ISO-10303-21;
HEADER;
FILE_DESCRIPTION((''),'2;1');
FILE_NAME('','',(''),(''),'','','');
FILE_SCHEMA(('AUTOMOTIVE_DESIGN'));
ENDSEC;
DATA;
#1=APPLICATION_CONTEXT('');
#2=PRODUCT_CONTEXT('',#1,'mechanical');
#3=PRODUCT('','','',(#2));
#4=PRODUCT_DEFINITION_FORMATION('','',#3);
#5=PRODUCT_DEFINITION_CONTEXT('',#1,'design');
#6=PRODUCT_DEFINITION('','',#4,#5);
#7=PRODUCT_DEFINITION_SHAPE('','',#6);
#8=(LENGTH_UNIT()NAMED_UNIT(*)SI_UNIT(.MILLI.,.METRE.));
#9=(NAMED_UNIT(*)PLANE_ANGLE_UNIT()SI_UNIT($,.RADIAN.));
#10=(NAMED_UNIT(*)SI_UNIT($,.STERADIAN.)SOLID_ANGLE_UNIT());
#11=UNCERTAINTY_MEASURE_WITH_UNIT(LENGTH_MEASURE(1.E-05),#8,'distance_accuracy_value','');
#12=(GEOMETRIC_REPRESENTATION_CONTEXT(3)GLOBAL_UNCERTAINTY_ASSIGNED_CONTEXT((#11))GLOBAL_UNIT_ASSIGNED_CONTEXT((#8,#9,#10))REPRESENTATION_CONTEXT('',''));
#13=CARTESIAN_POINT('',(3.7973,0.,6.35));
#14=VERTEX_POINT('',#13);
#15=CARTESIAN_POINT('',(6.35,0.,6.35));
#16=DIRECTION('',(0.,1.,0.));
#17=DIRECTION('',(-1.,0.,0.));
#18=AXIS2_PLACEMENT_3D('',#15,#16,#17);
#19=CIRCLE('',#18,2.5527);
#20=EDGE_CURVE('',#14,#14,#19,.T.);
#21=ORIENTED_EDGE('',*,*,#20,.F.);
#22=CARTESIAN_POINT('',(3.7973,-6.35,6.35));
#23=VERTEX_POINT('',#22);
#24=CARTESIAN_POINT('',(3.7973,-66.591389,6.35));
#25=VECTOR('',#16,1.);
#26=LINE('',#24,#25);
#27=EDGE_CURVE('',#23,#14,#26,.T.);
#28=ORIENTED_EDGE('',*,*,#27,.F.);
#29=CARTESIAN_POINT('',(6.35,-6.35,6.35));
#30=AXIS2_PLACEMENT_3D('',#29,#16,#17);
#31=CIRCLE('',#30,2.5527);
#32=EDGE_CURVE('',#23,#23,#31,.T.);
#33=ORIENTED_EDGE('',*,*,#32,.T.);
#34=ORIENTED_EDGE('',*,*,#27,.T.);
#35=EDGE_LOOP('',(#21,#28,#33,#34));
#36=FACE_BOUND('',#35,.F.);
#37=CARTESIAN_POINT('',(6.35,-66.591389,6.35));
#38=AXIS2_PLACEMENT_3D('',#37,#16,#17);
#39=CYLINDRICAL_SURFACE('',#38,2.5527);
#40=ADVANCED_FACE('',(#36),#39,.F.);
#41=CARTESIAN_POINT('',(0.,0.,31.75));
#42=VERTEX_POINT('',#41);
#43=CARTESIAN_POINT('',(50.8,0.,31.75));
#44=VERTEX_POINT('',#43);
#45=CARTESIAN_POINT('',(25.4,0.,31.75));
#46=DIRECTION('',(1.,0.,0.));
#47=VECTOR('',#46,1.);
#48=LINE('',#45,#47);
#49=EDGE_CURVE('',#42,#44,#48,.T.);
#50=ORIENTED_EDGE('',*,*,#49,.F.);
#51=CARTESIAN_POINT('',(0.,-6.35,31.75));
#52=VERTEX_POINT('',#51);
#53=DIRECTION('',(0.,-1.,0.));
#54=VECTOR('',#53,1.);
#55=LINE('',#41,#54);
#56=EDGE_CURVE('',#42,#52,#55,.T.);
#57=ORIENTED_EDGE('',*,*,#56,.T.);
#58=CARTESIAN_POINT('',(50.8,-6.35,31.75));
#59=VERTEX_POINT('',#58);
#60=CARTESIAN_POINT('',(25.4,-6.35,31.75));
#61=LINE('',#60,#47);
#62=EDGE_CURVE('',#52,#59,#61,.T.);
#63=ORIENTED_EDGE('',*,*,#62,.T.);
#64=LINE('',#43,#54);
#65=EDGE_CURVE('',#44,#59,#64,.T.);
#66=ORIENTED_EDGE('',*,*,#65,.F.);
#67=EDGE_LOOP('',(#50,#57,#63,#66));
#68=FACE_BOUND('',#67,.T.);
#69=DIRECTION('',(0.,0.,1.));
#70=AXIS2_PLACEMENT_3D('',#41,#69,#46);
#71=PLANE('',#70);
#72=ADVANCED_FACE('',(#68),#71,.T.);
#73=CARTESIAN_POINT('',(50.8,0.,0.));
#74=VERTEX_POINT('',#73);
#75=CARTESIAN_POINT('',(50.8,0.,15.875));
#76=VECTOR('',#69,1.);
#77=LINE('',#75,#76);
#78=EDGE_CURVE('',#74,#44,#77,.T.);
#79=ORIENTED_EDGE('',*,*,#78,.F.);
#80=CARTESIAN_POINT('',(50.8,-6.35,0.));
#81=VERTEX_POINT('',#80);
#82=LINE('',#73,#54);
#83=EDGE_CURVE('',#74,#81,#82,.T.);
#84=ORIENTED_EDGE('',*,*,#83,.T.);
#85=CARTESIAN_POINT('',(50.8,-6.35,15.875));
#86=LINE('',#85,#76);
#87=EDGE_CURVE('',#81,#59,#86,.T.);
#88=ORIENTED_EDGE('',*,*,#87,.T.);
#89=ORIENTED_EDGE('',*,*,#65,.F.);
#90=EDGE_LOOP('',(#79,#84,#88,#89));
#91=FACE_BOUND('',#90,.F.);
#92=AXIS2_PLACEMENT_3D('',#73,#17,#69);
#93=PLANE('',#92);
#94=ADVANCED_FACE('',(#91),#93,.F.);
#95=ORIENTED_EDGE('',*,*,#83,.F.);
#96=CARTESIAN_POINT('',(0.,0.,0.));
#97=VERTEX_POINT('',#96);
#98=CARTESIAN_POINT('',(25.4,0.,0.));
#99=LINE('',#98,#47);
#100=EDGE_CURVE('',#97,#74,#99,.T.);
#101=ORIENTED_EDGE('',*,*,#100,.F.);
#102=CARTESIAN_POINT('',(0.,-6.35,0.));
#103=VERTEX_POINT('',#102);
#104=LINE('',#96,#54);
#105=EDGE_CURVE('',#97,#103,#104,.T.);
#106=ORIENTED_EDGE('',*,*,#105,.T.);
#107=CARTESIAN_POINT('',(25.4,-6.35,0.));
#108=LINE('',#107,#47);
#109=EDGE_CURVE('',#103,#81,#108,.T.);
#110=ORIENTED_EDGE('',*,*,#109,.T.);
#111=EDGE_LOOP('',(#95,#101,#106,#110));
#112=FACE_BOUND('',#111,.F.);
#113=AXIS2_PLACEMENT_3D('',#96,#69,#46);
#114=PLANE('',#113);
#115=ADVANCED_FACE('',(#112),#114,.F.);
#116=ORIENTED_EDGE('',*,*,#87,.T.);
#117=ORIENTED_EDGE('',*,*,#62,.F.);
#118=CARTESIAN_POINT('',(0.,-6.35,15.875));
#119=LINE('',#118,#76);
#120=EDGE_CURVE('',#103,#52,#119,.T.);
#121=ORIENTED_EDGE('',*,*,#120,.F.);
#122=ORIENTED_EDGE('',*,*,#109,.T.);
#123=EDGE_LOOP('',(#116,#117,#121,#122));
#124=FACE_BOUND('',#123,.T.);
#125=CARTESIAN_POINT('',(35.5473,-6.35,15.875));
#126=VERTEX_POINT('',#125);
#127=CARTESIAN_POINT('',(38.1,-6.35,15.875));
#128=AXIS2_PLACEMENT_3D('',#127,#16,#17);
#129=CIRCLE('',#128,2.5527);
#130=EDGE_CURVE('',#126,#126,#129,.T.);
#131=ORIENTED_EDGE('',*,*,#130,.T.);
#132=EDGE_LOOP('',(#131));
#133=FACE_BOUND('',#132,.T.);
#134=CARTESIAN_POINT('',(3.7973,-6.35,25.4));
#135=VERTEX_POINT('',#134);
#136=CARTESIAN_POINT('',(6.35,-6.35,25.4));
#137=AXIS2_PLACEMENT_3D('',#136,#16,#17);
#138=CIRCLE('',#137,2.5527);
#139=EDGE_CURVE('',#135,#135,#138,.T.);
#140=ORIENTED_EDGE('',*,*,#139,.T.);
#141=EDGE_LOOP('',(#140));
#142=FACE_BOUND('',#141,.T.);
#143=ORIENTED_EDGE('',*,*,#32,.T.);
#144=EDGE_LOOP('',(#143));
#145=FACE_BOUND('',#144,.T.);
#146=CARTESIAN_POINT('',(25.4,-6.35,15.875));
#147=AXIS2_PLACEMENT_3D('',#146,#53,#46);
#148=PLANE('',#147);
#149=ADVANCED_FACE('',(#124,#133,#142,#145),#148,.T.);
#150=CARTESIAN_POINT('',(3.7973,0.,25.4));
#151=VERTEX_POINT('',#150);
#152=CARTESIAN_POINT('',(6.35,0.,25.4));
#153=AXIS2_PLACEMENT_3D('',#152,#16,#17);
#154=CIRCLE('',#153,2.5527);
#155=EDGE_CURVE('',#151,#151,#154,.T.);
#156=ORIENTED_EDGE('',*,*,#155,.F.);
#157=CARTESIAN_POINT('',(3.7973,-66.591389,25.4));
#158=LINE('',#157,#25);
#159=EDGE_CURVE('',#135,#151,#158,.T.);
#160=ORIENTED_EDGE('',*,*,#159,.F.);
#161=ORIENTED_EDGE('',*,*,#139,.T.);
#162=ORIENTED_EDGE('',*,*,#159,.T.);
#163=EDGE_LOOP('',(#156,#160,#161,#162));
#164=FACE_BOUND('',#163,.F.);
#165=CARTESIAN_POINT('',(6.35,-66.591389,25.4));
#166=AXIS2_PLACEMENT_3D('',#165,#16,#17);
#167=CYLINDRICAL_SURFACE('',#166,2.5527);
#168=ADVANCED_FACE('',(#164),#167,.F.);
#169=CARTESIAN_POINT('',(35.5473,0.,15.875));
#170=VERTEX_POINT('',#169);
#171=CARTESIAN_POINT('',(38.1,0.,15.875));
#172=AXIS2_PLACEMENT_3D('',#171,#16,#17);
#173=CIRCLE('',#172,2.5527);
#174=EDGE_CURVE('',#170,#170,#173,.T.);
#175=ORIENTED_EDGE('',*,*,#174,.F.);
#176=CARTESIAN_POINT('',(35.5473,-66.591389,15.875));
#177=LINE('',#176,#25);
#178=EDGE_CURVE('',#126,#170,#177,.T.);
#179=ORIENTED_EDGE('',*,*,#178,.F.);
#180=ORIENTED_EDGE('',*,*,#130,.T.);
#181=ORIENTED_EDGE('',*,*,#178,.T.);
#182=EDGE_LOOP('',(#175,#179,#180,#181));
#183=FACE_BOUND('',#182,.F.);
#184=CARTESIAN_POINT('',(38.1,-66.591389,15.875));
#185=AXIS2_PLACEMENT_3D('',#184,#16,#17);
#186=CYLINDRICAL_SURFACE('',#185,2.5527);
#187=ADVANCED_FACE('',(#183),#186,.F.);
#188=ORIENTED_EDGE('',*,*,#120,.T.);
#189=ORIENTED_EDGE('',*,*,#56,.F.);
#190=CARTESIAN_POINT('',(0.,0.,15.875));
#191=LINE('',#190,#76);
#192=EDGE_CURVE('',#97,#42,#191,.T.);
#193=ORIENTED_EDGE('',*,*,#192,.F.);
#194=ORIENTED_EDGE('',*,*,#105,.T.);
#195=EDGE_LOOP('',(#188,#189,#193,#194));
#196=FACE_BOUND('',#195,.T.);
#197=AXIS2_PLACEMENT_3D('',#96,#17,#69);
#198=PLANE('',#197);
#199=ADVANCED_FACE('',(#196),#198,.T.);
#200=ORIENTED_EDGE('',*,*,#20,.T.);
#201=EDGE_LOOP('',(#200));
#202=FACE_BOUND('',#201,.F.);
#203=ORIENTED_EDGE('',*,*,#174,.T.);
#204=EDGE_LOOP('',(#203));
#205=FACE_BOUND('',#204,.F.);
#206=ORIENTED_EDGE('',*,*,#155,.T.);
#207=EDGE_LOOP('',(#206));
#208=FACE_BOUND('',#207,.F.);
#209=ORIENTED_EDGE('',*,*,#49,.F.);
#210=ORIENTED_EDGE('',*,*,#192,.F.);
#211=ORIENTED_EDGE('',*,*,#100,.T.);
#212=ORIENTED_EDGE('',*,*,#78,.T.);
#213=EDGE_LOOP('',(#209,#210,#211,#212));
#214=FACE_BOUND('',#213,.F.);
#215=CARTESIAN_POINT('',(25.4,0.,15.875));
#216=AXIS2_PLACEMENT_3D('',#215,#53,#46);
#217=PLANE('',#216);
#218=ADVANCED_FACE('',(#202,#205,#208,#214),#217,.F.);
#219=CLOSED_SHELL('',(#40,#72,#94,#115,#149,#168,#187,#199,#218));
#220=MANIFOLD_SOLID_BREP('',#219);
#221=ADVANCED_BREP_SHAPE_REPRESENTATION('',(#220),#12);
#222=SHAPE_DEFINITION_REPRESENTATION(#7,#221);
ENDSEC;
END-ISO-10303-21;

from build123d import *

# Parameters (mm, degrees)
F0_W     = 50.8
F0_H     = 31.75
F1_DEPTH = 6.35
F3_D     = 5.1054


with BuildPart() as f1:
    # F0 (on Front) → F1 (new body)
    with BuildSketch(Plane.XZ):
        with Locations((25.4, 15.875)):
            Rectangle(F0_W, F0_H)
    extrude(amount=F1_DEPTH)

    # F3 (through all)
    with Locations(Plane.XZ.offset(6.35)):
        with Locations((6.35, 25.4), (6.35, 6.35), (38.1, 15.875)):
            Hole(F3_D / 2)


solid = f1.part
